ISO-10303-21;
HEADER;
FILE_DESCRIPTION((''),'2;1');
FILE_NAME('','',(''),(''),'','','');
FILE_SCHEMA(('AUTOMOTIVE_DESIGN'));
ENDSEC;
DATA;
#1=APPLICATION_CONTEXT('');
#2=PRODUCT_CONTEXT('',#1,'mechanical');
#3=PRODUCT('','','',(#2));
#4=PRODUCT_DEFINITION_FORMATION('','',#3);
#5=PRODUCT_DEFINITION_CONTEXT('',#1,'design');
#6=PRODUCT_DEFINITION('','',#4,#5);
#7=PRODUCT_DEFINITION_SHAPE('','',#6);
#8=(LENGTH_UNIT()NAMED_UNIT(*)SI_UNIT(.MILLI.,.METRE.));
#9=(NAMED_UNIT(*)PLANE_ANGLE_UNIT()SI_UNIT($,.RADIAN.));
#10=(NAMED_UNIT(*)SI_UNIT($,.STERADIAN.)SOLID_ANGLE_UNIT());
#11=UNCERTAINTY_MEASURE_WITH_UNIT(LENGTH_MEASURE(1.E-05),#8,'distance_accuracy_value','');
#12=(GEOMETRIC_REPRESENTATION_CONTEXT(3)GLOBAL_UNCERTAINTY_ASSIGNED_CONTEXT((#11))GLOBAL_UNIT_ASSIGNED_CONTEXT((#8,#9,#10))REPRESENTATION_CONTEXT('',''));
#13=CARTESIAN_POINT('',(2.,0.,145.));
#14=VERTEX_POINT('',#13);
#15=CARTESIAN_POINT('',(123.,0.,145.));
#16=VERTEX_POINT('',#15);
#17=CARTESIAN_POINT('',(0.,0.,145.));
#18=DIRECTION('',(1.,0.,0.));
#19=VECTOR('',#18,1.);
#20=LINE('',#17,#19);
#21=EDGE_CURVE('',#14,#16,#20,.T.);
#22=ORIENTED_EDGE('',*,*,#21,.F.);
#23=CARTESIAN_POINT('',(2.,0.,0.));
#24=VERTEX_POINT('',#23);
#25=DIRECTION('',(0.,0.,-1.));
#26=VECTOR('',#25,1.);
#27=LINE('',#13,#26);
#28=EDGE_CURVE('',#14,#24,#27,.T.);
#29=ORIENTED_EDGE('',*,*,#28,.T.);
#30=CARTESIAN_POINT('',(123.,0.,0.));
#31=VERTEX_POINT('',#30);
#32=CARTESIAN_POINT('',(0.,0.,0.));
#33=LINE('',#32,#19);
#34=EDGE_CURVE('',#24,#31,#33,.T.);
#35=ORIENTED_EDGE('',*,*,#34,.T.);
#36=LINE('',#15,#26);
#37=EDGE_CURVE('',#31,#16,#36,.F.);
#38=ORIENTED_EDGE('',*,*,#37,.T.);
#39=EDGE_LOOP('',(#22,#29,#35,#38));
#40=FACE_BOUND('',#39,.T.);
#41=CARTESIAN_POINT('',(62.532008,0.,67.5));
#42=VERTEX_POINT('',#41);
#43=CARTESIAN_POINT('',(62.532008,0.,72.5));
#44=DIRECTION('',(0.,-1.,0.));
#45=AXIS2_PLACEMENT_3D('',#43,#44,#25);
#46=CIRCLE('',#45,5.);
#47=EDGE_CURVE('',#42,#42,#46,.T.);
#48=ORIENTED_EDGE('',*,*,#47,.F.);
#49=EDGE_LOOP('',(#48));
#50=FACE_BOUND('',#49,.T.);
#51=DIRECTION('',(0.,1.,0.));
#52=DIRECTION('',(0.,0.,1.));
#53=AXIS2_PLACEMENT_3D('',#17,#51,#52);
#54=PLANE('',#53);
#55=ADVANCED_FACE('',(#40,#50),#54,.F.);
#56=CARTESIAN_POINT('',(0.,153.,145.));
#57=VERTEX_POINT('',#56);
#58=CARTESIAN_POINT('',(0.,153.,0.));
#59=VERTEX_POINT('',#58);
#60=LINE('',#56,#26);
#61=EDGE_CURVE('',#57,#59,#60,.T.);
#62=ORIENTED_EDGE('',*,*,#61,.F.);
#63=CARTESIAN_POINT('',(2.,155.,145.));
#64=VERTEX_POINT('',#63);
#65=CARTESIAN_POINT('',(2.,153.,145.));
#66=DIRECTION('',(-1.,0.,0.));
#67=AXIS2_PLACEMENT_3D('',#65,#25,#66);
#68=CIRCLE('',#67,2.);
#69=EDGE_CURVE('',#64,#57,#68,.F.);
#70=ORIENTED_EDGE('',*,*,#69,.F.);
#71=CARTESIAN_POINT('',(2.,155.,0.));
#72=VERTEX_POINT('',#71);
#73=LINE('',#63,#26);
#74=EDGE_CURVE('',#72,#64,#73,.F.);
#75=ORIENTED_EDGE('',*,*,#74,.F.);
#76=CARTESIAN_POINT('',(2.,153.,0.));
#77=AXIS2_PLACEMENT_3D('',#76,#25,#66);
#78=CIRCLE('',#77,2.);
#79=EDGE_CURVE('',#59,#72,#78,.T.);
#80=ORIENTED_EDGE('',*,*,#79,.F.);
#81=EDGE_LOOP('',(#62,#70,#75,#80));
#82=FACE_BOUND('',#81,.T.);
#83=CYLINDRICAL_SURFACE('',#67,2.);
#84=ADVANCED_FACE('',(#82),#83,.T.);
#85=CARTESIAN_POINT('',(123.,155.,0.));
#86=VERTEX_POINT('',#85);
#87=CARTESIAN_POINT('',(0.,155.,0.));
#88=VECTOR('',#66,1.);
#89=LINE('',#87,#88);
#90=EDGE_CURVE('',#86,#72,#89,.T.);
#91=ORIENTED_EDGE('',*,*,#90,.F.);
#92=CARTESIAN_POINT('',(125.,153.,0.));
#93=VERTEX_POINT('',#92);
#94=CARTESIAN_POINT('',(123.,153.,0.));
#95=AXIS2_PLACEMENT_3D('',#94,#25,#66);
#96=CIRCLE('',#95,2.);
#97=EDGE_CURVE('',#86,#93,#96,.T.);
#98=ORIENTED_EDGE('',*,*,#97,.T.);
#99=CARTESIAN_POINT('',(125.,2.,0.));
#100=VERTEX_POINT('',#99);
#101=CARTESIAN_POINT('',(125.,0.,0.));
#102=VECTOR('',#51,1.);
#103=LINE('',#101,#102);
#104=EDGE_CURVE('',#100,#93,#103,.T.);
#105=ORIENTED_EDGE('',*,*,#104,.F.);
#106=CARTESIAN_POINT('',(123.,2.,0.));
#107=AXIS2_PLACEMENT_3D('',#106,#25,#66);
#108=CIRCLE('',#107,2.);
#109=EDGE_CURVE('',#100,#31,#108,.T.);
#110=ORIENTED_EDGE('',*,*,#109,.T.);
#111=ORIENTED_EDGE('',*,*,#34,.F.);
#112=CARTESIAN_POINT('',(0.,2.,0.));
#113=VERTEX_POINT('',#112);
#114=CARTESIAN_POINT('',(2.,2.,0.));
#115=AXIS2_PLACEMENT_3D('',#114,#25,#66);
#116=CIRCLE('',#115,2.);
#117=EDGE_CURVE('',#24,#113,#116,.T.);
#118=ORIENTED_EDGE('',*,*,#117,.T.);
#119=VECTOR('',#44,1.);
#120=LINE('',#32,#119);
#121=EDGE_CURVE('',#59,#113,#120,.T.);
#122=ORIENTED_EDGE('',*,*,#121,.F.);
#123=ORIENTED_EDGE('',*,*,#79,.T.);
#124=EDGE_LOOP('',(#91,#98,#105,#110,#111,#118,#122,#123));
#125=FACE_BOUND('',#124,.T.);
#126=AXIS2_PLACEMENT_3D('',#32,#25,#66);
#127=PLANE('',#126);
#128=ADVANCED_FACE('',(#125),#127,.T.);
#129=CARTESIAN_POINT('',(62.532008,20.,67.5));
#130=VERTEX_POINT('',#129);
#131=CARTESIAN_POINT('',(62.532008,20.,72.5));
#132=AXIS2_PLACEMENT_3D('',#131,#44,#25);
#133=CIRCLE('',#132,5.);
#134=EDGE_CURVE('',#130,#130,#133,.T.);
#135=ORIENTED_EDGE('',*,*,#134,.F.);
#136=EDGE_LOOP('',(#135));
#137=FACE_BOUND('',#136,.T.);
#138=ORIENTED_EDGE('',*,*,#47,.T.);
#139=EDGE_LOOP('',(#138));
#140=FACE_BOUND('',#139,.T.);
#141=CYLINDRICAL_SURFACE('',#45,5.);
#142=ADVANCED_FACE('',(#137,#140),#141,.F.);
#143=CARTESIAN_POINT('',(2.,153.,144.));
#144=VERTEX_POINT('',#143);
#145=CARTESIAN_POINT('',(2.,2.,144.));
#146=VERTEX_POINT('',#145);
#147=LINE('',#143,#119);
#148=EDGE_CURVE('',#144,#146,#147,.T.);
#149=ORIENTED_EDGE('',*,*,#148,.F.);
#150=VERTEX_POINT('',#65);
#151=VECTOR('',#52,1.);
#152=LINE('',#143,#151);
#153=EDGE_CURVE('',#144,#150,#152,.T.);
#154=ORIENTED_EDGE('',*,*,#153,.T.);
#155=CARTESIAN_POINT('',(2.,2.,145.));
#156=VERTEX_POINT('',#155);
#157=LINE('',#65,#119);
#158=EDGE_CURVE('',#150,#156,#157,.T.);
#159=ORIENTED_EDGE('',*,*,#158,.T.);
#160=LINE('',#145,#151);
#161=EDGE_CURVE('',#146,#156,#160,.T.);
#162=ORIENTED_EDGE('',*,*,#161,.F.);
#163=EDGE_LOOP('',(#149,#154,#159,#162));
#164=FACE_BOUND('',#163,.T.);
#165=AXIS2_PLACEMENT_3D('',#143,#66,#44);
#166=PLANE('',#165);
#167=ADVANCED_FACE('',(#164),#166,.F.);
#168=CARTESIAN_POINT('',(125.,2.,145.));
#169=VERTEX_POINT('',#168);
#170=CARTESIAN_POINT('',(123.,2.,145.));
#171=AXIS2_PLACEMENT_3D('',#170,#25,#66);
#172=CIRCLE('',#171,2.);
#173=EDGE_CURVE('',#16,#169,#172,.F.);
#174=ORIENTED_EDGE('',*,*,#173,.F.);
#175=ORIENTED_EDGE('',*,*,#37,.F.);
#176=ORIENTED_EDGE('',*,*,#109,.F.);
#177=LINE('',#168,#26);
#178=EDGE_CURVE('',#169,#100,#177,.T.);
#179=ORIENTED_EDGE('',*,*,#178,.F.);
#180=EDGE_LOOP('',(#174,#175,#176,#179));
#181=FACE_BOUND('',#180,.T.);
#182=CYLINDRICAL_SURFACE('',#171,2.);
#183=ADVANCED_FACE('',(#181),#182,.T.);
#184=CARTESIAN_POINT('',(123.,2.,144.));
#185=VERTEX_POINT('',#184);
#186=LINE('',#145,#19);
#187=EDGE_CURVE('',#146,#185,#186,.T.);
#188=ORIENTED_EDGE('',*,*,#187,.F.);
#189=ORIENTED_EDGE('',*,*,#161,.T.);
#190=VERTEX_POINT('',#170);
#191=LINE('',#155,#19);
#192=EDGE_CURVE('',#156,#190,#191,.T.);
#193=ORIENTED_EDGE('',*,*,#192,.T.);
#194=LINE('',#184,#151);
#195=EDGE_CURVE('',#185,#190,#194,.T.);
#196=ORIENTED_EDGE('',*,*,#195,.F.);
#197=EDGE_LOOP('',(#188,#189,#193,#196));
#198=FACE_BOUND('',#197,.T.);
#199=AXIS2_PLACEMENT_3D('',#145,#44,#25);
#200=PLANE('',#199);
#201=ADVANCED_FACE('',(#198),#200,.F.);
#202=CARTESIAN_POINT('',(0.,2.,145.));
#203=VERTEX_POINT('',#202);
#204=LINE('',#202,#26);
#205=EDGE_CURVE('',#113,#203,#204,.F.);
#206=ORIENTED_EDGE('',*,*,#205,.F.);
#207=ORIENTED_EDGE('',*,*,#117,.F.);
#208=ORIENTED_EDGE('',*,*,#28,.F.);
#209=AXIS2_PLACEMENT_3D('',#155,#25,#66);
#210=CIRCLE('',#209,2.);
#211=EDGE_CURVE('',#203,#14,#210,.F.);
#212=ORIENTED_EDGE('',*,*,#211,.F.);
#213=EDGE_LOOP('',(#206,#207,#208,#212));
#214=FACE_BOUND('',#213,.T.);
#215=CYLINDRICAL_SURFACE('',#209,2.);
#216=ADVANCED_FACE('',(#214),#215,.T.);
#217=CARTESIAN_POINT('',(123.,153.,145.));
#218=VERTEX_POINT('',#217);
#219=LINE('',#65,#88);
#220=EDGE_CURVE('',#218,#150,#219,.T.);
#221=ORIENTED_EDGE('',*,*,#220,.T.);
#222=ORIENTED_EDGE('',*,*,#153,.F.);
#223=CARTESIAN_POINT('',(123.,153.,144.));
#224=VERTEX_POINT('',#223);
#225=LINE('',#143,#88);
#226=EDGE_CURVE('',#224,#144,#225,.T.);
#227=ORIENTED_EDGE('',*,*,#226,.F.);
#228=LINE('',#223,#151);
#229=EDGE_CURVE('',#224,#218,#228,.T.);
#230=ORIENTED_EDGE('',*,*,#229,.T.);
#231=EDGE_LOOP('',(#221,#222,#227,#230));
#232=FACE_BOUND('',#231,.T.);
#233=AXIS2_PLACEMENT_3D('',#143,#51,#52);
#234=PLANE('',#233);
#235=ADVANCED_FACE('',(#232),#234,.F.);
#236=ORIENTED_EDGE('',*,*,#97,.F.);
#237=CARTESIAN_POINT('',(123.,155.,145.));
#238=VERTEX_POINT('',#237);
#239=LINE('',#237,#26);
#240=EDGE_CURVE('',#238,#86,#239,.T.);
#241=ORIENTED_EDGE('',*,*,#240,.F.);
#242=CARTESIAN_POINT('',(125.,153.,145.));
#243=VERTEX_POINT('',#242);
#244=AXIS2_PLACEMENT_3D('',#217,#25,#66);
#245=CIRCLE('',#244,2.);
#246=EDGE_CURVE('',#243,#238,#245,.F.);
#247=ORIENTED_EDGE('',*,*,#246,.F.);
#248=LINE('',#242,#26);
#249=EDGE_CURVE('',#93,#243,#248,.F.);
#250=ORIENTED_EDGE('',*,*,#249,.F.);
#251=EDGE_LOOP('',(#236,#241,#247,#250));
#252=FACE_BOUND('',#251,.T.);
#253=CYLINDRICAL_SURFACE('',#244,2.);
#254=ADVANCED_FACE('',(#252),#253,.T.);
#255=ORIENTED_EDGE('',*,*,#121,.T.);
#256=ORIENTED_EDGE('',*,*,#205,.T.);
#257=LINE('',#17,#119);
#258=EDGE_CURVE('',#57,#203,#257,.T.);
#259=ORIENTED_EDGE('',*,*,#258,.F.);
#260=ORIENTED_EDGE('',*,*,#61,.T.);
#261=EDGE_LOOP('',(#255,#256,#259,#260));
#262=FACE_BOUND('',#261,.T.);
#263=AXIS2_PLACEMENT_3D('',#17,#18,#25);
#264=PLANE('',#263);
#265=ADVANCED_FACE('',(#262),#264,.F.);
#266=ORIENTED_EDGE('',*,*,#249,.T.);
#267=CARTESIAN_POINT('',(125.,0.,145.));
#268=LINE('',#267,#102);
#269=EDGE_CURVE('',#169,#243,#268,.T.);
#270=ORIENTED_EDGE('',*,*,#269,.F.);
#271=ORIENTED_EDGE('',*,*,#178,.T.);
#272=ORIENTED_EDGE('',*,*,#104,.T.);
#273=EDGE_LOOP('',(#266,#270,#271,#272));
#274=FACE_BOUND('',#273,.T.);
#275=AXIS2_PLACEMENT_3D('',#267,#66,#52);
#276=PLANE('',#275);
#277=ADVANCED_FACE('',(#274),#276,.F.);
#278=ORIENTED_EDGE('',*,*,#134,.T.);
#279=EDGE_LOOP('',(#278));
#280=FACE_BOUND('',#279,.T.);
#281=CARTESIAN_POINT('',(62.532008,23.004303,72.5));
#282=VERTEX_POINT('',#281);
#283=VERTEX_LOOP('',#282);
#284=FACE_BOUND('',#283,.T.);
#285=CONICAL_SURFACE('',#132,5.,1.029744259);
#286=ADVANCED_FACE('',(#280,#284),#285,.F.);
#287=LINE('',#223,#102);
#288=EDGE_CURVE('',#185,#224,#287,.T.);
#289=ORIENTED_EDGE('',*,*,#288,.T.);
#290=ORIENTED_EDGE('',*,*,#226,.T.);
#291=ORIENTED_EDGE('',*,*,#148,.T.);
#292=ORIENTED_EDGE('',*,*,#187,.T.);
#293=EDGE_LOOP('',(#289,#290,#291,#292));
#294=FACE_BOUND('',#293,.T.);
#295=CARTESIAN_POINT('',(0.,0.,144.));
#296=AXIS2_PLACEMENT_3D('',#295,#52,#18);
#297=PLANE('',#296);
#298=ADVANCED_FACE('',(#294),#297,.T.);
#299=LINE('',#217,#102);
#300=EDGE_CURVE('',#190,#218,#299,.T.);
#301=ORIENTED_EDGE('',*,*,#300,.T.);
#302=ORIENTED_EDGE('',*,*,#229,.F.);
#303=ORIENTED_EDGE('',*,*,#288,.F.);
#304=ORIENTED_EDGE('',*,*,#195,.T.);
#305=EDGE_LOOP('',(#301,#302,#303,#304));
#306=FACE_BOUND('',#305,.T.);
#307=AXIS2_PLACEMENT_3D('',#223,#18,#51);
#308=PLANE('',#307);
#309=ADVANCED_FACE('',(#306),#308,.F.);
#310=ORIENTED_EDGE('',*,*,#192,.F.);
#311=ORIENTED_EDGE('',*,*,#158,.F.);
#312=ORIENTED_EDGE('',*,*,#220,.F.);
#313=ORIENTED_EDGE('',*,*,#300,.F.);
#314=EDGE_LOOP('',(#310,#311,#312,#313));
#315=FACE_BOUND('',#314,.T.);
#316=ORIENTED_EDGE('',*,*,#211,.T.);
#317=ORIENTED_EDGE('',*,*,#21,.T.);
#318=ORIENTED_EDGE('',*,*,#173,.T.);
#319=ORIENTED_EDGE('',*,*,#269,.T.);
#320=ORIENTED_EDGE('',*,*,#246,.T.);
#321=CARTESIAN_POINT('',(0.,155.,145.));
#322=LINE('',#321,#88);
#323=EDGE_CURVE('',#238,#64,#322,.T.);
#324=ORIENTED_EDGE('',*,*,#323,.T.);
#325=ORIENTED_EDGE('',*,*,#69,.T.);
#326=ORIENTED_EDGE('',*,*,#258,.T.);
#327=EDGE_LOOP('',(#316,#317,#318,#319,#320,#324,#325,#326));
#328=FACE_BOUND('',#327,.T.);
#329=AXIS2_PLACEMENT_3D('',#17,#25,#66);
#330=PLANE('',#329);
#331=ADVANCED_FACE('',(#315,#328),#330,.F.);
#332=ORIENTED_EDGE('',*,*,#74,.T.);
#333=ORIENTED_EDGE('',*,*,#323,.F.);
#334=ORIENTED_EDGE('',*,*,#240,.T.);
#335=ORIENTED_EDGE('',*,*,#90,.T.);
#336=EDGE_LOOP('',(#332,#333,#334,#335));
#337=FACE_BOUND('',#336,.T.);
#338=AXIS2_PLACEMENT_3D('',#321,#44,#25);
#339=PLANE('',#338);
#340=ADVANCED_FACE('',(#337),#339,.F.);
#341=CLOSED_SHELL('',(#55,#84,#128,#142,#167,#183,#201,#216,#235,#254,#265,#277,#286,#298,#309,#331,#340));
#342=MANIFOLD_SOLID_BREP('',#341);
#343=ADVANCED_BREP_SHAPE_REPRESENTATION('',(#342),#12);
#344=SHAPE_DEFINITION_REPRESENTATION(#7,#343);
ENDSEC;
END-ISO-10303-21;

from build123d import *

# Parameters (mm, degrees)
SKETCH1_W                  = 125
SKETCH1_H                  = 155
BOSS_EXTRUDE1_DEPTH        = 145
SKETCH2_W                  = 121
SKETCH2_H                  = 151
CUT_EXTRUDE1_DEPTH         = 1
FILLET1_R                  = 2
FILLET2_R                  = 2
F_10_0MM_DOWEL_HOLE1_D     = 10
F_10_0MM_DOWEL_HOLE1_DEPTH = 20
F_10_0MM_DOWEL_HOLE1_TIP   = 3.004303095


with BuildPart() as part:
    # Sketch1 → Boss-Extrude1 (new body)
    with BuildSketch(Plane.XY):
        with Locations((62.5, 77.5)):
            Rectangle(SKETCH1_W, SKETCH1_H)
    extrude(amount=BOSS_EXTRUDE1_DEPTH)

    # Sketch2 → Cut-Extrude1 (cut)
    with BuildSketch(Plane.XY.offset(145)):
        with Locations((62.5, 77.5)):
            Rectangle(SKETCH2_W, SKETCH2_H)
    extrude(amount=-CUT_EXTRUDE1_DEPTH, mode=Mode.SUBTRACT)

    # Fillet1
    fillet1_edges = [part.edges().sort_by_distance(p)[0] for p in [
        (0, 155, 72.5),
        (125, 155, 72.5),
        (0, 0, 72.5),
    ]]
    fillet(fillet1_edges, radius=FILLET1_R)

    # Fillet2
    fillet2_edges = [part.edges().sort_by_distance(p)[0] for p in [
        (125, 0, 72.5),
    ]]
    fillet(fillet2_edges, radius=FILLET2_R)

    # Ø10.0mm Dowel Hole1
    with Locations(Plane(origin=(62.532008196, 0, 72.5), x_dir=(0, 0, -1), z_dir=(0, -1, 0))):
        with Locations((0, 0)):
            Hole(F_10_0MM_DOWEL_HOLE1_D / 2, depth=F_10_0MM_DOWEL_HOLE1_DEPTH)
            with Locations((0, 0, -(F_10_0MM_DOWEL_HOLE1_DEPTH + F_10_0MM_DOWEL_HOLE1_TIP / 2))):  # 118° drill point
                Cone(0, F_10_0MM_DOWEL_HOLE1_D / 2, F_10_0MM_DOWEL_HOLE1_TIP, mode=Mode.SUBTRACT)


solid = part.part
